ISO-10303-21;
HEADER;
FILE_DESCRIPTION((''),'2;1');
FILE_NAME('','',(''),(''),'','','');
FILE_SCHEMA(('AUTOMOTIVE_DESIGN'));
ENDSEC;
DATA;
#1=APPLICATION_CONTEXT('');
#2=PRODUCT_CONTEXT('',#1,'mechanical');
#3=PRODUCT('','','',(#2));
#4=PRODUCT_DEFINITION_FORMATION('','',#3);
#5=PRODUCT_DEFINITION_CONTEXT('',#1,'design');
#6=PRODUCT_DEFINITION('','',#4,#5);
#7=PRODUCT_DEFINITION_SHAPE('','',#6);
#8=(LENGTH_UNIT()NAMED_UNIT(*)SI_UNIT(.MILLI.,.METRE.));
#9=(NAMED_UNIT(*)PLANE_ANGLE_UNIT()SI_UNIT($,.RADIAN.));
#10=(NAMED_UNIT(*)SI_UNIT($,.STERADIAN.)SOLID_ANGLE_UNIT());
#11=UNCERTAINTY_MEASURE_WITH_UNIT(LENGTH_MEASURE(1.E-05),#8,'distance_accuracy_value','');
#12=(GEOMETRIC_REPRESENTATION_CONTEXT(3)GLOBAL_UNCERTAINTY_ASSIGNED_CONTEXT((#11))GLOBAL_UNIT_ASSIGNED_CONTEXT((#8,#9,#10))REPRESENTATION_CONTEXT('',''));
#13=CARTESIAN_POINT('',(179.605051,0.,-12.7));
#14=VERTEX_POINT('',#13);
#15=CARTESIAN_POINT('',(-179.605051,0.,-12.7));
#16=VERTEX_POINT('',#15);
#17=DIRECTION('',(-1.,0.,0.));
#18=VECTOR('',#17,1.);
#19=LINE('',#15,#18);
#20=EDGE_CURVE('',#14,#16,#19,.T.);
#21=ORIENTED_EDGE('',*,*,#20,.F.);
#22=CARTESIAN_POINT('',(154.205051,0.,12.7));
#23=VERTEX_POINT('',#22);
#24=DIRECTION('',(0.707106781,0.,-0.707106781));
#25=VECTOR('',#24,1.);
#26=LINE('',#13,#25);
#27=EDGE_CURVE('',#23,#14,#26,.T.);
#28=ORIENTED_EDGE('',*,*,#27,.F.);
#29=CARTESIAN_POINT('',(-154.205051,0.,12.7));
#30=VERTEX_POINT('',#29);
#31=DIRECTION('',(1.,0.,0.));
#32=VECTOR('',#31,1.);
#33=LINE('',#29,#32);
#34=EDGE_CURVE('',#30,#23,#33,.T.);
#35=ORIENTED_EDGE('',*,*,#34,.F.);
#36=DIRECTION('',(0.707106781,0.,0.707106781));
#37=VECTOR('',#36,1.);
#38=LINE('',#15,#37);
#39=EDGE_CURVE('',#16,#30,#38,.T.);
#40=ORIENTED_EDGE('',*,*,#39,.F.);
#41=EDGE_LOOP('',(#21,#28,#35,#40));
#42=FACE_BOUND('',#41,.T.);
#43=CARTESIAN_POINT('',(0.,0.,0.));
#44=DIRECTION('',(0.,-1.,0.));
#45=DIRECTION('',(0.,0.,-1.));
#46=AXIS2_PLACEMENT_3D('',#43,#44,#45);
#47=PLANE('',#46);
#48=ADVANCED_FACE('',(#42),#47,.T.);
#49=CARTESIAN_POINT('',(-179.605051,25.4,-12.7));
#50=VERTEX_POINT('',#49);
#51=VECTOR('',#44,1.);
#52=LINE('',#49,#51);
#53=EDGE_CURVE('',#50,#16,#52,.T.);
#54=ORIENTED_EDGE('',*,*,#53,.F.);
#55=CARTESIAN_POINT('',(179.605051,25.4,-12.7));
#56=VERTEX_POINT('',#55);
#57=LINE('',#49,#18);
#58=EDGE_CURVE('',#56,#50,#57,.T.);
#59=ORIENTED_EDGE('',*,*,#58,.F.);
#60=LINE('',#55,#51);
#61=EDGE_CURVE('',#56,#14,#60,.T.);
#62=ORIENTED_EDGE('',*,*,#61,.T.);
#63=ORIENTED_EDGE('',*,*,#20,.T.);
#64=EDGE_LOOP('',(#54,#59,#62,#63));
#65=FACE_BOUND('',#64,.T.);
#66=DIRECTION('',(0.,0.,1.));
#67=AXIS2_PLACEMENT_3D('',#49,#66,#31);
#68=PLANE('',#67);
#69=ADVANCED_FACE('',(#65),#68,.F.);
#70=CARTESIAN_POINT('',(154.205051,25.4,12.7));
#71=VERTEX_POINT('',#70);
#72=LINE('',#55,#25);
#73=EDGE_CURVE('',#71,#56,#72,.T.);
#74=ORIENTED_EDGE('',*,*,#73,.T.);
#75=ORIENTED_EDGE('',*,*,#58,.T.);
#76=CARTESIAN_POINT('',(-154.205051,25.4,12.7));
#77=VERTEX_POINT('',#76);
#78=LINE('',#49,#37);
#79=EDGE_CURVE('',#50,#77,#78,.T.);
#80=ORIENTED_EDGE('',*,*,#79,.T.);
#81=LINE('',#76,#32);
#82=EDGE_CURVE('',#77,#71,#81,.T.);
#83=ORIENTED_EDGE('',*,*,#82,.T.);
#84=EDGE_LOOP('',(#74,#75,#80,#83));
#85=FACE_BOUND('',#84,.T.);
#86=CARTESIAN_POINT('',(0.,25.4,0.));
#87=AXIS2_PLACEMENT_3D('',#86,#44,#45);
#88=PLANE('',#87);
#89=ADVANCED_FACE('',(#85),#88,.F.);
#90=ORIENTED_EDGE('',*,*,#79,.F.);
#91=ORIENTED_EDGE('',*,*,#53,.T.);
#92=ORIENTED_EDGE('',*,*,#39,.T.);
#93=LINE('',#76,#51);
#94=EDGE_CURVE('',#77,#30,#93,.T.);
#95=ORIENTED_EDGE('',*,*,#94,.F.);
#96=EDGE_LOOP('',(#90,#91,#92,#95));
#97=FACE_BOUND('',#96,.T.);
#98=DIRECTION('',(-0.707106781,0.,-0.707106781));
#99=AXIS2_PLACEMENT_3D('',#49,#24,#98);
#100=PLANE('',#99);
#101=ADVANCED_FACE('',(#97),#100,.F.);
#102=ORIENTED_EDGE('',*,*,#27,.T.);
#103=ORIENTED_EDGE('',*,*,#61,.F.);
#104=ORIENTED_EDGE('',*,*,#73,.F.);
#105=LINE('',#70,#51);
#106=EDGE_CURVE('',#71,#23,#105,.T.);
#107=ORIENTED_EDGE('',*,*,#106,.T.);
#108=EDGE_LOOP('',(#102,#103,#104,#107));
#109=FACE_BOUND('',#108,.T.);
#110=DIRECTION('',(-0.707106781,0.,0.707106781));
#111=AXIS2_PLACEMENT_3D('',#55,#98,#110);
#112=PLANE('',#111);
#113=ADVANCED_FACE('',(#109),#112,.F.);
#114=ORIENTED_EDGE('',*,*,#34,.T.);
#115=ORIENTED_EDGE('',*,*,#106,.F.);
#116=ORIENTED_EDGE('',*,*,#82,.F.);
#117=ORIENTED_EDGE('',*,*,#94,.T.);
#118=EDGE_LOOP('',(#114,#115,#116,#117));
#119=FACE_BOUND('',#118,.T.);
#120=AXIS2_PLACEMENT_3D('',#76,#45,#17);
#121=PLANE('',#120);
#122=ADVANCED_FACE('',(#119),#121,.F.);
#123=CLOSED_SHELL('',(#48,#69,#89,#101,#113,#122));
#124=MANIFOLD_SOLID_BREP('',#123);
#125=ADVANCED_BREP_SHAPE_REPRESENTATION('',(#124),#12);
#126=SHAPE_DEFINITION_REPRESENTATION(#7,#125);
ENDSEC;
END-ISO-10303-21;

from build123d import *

# Parameters (mm, degrees)
BOSS_EXTRUDE1_DEPTH = 25.4


with BuildPart() as part:
    # Sketch2 → Boss-Extrude1 (new body)
    with BuildSketch(Plane(origin=(0, 0, 0), x_dir=(1, 0, 0), z_dir=(0, 1, 0))):
        Polygon((179.605051, 12.7), (154.205051, -12.7), (-154.205051, -12.7), (-179.605051, 12.7), align=None)
    extrude(amount=BOSS_EXTRUDE1_DEPTH)


solid = part.part
